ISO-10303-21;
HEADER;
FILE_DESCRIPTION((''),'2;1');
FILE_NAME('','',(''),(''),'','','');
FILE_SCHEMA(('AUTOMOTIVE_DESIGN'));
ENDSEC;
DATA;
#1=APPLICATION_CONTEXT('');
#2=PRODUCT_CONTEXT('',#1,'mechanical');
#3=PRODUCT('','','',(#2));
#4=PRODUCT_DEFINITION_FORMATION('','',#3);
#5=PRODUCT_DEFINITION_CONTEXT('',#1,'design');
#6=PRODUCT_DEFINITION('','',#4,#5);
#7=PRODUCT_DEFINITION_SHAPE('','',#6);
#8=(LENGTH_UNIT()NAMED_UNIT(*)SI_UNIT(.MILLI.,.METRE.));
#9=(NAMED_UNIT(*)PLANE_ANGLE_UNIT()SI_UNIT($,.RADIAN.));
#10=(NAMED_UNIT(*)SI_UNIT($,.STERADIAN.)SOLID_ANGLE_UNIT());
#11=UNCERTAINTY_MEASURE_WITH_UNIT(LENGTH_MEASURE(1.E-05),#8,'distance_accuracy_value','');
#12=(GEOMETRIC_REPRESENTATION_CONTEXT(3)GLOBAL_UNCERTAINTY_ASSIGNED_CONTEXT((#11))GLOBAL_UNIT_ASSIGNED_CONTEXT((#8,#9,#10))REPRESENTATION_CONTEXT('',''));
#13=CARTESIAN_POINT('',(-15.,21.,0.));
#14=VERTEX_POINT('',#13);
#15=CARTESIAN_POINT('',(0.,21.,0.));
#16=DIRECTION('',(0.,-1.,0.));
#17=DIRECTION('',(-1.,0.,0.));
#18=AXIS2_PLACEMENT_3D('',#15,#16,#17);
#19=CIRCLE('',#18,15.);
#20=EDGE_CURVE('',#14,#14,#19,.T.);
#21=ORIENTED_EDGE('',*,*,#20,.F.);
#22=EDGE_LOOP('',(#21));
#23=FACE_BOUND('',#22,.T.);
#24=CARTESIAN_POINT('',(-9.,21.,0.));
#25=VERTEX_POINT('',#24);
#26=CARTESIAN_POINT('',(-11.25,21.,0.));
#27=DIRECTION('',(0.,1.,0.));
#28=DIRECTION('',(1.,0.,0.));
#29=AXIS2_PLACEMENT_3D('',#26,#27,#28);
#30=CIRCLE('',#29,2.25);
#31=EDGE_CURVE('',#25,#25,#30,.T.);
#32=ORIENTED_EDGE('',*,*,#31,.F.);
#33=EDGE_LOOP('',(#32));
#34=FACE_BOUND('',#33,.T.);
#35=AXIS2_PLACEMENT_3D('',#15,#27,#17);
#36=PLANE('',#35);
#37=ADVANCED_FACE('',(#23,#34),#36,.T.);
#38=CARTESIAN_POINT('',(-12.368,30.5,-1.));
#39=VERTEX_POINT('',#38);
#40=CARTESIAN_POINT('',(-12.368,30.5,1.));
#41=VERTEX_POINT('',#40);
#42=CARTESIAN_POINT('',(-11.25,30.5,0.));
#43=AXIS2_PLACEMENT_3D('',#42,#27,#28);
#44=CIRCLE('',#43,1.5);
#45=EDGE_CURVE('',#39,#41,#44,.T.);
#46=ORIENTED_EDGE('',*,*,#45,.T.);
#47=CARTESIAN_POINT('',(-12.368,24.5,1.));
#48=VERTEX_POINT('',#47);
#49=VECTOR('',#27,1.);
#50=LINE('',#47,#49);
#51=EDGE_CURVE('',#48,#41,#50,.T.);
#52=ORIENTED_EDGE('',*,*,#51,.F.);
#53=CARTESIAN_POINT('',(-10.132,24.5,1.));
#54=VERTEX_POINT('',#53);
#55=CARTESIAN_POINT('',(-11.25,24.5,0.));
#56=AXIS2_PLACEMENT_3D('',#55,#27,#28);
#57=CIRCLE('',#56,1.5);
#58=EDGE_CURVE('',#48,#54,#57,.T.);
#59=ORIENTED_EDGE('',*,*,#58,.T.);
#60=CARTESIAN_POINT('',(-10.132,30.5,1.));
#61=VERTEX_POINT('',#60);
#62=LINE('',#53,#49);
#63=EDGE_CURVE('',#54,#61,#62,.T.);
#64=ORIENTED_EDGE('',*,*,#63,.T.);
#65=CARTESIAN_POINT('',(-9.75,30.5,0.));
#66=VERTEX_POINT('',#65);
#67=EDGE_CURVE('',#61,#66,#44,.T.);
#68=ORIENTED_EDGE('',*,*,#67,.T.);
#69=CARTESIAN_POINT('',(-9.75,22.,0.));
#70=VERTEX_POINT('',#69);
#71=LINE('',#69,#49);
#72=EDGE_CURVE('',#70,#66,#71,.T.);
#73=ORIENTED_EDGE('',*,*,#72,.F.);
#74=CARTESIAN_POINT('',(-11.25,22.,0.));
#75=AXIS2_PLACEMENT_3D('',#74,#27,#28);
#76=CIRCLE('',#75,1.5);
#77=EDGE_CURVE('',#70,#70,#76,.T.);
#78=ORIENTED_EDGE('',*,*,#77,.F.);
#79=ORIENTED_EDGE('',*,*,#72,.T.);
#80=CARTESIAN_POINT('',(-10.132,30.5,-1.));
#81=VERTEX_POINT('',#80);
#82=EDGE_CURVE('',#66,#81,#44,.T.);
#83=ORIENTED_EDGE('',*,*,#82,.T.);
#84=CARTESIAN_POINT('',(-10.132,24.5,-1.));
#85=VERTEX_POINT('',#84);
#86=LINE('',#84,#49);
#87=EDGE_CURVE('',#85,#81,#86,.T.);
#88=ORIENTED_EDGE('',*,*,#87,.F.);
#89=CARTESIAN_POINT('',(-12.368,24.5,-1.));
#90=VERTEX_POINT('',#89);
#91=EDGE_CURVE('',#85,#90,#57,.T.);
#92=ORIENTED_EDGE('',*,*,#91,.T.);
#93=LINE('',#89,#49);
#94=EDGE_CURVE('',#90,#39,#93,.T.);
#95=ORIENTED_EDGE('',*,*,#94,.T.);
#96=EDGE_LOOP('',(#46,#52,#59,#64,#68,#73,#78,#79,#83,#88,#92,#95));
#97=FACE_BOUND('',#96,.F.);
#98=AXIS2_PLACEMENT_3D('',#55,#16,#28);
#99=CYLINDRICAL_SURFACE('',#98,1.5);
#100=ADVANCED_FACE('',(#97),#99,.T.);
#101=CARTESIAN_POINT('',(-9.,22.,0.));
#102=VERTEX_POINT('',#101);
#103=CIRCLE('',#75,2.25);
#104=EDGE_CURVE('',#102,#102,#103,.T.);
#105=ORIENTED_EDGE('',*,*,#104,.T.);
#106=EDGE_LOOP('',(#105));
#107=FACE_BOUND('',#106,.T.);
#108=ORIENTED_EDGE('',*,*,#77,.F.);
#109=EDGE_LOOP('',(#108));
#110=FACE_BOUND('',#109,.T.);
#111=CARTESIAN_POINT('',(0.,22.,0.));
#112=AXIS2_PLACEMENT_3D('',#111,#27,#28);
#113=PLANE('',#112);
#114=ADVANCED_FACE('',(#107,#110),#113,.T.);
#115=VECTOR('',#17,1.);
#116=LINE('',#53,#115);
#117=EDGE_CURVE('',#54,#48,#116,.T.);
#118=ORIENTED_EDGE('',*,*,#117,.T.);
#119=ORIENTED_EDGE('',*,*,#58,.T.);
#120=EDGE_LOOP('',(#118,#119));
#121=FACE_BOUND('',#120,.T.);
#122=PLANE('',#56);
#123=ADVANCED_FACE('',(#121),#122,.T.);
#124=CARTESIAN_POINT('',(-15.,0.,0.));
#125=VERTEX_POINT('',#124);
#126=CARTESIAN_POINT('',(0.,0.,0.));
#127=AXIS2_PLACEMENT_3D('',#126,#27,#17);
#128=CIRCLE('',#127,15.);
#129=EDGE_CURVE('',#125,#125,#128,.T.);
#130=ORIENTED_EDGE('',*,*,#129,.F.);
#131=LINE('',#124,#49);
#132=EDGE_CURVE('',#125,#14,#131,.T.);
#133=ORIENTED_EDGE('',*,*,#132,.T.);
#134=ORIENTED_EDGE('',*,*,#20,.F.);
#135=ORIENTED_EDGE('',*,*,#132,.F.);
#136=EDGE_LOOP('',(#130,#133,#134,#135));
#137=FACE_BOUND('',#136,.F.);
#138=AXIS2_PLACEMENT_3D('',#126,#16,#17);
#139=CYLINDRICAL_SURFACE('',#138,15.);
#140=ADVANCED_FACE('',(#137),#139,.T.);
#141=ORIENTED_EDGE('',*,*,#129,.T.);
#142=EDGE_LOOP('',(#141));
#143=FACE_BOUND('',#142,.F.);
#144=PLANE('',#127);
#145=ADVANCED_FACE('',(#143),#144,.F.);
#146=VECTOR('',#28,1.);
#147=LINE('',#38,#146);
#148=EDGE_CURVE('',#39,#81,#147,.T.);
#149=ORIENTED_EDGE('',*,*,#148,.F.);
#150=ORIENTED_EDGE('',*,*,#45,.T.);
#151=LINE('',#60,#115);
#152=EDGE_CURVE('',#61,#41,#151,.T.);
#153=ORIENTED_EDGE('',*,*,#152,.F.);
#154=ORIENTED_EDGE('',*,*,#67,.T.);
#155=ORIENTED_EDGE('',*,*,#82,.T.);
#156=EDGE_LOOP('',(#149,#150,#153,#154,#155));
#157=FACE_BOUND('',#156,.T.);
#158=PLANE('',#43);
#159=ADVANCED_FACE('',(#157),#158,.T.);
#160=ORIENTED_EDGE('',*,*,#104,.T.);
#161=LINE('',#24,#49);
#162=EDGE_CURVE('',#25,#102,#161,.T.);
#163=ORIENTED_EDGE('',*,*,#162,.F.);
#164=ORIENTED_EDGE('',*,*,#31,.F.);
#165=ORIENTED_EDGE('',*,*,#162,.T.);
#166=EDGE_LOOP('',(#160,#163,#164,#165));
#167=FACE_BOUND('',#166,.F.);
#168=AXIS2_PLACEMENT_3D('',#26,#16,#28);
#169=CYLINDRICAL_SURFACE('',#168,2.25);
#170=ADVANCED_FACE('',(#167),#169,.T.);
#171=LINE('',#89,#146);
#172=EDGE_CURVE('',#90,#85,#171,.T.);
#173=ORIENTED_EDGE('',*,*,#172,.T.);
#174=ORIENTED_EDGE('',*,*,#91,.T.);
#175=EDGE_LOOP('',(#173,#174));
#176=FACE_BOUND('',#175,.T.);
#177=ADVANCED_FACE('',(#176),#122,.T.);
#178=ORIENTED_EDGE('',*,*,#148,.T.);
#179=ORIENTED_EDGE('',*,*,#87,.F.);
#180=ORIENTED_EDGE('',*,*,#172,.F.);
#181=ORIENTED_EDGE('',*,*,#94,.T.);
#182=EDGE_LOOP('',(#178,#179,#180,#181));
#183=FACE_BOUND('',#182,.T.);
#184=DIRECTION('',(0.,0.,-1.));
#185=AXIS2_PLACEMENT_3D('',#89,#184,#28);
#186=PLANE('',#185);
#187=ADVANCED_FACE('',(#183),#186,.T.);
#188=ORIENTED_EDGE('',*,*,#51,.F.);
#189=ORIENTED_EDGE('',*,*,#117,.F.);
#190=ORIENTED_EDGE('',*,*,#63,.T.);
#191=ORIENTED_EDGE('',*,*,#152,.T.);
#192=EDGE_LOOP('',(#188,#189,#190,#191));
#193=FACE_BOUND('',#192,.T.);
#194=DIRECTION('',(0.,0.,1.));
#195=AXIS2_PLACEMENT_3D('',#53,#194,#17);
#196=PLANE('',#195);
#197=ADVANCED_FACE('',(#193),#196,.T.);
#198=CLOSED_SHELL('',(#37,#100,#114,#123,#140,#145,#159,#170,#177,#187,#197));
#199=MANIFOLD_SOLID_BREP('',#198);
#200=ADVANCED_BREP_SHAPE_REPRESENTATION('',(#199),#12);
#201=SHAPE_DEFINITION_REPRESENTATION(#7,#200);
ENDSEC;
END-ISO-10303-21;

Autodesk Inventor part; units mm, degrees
ref_plane "YZ Plane" through (0, 0, 0) normal (1, 0, 0) x (0, 1, 0)
ref_plane "XZ Plane" through (0, 0, 0) normal (0, 1, 0) x (-1, 0, 0)
ref_plane "XY Plane" through (0, 0, 0) normal (0, 0, 1) x (1, 0, 0)
sketch "Sketch1" plane through (0, 0, 0) normal (0, 1, 0) x (-1, 0, 0)
  circle A0 centre (0, 0) radius 15
  line L0 (-7.5, 13) -> (-7.4833, 13)
  line L1 (7.4833, 13) -> (7.5, 13)
  point P0 (0, 15)
  dimension "d0" = 30
extrude "Extrusion1" add sketch "Sketch1" along normal blind 21
sketch "Sketch2" plane through (0, 21, 0) normal (0, 1, 0) x (1, 0, 0)
  circle A0 centre (-11.25, 0) radius 2.25
  circle A1 centre (0, 0) radius 15 projected
  dimension "d3" = 4.5
  dimension "d4" = 1.5
extrude "Extrusion2" add sketch "Sketch2" along normal blind 1 contours A0
sketch "Sketch3" plane through (-11.25, 22, 0) normal (0, 1, 0) x (1, 0, 0)
  circle A0 centre (0, 0) radius 1.5
  point P0 (11.25, 0)
  dimension "d7" = 3
extrude "Extrusion3" add sketch "Sketch3" along normal blind 2.5
sketch "Sketch4" plane through (-11.25, 24.5, 0) normal (0, 1, 0) x (1, 0, 0)
  line L0 (1.118, -1) -> (-1.118, -1)
  line L1 (-1.118, 1) -> (1.118, 1)
  line L2 (1.5, -1) -> (-1.882, 1) construction
  line L3 (-1.882, -1) -> (1.0655, 1.0558) construction
  circle A0 centre (0, 0) radius 1.5 projected
  point P0 (11.25, 0)
  point P1 (-0.3302, 0.0823)
  dimension "d10" = 3
  dimension "d11" = 0.5
  dimension "d12" = 0.5
extrude "Extrusion4" add sketch "Sketch4" along normal blind 6 contours L0 A0 L1
properties part number "stepperMotor"
